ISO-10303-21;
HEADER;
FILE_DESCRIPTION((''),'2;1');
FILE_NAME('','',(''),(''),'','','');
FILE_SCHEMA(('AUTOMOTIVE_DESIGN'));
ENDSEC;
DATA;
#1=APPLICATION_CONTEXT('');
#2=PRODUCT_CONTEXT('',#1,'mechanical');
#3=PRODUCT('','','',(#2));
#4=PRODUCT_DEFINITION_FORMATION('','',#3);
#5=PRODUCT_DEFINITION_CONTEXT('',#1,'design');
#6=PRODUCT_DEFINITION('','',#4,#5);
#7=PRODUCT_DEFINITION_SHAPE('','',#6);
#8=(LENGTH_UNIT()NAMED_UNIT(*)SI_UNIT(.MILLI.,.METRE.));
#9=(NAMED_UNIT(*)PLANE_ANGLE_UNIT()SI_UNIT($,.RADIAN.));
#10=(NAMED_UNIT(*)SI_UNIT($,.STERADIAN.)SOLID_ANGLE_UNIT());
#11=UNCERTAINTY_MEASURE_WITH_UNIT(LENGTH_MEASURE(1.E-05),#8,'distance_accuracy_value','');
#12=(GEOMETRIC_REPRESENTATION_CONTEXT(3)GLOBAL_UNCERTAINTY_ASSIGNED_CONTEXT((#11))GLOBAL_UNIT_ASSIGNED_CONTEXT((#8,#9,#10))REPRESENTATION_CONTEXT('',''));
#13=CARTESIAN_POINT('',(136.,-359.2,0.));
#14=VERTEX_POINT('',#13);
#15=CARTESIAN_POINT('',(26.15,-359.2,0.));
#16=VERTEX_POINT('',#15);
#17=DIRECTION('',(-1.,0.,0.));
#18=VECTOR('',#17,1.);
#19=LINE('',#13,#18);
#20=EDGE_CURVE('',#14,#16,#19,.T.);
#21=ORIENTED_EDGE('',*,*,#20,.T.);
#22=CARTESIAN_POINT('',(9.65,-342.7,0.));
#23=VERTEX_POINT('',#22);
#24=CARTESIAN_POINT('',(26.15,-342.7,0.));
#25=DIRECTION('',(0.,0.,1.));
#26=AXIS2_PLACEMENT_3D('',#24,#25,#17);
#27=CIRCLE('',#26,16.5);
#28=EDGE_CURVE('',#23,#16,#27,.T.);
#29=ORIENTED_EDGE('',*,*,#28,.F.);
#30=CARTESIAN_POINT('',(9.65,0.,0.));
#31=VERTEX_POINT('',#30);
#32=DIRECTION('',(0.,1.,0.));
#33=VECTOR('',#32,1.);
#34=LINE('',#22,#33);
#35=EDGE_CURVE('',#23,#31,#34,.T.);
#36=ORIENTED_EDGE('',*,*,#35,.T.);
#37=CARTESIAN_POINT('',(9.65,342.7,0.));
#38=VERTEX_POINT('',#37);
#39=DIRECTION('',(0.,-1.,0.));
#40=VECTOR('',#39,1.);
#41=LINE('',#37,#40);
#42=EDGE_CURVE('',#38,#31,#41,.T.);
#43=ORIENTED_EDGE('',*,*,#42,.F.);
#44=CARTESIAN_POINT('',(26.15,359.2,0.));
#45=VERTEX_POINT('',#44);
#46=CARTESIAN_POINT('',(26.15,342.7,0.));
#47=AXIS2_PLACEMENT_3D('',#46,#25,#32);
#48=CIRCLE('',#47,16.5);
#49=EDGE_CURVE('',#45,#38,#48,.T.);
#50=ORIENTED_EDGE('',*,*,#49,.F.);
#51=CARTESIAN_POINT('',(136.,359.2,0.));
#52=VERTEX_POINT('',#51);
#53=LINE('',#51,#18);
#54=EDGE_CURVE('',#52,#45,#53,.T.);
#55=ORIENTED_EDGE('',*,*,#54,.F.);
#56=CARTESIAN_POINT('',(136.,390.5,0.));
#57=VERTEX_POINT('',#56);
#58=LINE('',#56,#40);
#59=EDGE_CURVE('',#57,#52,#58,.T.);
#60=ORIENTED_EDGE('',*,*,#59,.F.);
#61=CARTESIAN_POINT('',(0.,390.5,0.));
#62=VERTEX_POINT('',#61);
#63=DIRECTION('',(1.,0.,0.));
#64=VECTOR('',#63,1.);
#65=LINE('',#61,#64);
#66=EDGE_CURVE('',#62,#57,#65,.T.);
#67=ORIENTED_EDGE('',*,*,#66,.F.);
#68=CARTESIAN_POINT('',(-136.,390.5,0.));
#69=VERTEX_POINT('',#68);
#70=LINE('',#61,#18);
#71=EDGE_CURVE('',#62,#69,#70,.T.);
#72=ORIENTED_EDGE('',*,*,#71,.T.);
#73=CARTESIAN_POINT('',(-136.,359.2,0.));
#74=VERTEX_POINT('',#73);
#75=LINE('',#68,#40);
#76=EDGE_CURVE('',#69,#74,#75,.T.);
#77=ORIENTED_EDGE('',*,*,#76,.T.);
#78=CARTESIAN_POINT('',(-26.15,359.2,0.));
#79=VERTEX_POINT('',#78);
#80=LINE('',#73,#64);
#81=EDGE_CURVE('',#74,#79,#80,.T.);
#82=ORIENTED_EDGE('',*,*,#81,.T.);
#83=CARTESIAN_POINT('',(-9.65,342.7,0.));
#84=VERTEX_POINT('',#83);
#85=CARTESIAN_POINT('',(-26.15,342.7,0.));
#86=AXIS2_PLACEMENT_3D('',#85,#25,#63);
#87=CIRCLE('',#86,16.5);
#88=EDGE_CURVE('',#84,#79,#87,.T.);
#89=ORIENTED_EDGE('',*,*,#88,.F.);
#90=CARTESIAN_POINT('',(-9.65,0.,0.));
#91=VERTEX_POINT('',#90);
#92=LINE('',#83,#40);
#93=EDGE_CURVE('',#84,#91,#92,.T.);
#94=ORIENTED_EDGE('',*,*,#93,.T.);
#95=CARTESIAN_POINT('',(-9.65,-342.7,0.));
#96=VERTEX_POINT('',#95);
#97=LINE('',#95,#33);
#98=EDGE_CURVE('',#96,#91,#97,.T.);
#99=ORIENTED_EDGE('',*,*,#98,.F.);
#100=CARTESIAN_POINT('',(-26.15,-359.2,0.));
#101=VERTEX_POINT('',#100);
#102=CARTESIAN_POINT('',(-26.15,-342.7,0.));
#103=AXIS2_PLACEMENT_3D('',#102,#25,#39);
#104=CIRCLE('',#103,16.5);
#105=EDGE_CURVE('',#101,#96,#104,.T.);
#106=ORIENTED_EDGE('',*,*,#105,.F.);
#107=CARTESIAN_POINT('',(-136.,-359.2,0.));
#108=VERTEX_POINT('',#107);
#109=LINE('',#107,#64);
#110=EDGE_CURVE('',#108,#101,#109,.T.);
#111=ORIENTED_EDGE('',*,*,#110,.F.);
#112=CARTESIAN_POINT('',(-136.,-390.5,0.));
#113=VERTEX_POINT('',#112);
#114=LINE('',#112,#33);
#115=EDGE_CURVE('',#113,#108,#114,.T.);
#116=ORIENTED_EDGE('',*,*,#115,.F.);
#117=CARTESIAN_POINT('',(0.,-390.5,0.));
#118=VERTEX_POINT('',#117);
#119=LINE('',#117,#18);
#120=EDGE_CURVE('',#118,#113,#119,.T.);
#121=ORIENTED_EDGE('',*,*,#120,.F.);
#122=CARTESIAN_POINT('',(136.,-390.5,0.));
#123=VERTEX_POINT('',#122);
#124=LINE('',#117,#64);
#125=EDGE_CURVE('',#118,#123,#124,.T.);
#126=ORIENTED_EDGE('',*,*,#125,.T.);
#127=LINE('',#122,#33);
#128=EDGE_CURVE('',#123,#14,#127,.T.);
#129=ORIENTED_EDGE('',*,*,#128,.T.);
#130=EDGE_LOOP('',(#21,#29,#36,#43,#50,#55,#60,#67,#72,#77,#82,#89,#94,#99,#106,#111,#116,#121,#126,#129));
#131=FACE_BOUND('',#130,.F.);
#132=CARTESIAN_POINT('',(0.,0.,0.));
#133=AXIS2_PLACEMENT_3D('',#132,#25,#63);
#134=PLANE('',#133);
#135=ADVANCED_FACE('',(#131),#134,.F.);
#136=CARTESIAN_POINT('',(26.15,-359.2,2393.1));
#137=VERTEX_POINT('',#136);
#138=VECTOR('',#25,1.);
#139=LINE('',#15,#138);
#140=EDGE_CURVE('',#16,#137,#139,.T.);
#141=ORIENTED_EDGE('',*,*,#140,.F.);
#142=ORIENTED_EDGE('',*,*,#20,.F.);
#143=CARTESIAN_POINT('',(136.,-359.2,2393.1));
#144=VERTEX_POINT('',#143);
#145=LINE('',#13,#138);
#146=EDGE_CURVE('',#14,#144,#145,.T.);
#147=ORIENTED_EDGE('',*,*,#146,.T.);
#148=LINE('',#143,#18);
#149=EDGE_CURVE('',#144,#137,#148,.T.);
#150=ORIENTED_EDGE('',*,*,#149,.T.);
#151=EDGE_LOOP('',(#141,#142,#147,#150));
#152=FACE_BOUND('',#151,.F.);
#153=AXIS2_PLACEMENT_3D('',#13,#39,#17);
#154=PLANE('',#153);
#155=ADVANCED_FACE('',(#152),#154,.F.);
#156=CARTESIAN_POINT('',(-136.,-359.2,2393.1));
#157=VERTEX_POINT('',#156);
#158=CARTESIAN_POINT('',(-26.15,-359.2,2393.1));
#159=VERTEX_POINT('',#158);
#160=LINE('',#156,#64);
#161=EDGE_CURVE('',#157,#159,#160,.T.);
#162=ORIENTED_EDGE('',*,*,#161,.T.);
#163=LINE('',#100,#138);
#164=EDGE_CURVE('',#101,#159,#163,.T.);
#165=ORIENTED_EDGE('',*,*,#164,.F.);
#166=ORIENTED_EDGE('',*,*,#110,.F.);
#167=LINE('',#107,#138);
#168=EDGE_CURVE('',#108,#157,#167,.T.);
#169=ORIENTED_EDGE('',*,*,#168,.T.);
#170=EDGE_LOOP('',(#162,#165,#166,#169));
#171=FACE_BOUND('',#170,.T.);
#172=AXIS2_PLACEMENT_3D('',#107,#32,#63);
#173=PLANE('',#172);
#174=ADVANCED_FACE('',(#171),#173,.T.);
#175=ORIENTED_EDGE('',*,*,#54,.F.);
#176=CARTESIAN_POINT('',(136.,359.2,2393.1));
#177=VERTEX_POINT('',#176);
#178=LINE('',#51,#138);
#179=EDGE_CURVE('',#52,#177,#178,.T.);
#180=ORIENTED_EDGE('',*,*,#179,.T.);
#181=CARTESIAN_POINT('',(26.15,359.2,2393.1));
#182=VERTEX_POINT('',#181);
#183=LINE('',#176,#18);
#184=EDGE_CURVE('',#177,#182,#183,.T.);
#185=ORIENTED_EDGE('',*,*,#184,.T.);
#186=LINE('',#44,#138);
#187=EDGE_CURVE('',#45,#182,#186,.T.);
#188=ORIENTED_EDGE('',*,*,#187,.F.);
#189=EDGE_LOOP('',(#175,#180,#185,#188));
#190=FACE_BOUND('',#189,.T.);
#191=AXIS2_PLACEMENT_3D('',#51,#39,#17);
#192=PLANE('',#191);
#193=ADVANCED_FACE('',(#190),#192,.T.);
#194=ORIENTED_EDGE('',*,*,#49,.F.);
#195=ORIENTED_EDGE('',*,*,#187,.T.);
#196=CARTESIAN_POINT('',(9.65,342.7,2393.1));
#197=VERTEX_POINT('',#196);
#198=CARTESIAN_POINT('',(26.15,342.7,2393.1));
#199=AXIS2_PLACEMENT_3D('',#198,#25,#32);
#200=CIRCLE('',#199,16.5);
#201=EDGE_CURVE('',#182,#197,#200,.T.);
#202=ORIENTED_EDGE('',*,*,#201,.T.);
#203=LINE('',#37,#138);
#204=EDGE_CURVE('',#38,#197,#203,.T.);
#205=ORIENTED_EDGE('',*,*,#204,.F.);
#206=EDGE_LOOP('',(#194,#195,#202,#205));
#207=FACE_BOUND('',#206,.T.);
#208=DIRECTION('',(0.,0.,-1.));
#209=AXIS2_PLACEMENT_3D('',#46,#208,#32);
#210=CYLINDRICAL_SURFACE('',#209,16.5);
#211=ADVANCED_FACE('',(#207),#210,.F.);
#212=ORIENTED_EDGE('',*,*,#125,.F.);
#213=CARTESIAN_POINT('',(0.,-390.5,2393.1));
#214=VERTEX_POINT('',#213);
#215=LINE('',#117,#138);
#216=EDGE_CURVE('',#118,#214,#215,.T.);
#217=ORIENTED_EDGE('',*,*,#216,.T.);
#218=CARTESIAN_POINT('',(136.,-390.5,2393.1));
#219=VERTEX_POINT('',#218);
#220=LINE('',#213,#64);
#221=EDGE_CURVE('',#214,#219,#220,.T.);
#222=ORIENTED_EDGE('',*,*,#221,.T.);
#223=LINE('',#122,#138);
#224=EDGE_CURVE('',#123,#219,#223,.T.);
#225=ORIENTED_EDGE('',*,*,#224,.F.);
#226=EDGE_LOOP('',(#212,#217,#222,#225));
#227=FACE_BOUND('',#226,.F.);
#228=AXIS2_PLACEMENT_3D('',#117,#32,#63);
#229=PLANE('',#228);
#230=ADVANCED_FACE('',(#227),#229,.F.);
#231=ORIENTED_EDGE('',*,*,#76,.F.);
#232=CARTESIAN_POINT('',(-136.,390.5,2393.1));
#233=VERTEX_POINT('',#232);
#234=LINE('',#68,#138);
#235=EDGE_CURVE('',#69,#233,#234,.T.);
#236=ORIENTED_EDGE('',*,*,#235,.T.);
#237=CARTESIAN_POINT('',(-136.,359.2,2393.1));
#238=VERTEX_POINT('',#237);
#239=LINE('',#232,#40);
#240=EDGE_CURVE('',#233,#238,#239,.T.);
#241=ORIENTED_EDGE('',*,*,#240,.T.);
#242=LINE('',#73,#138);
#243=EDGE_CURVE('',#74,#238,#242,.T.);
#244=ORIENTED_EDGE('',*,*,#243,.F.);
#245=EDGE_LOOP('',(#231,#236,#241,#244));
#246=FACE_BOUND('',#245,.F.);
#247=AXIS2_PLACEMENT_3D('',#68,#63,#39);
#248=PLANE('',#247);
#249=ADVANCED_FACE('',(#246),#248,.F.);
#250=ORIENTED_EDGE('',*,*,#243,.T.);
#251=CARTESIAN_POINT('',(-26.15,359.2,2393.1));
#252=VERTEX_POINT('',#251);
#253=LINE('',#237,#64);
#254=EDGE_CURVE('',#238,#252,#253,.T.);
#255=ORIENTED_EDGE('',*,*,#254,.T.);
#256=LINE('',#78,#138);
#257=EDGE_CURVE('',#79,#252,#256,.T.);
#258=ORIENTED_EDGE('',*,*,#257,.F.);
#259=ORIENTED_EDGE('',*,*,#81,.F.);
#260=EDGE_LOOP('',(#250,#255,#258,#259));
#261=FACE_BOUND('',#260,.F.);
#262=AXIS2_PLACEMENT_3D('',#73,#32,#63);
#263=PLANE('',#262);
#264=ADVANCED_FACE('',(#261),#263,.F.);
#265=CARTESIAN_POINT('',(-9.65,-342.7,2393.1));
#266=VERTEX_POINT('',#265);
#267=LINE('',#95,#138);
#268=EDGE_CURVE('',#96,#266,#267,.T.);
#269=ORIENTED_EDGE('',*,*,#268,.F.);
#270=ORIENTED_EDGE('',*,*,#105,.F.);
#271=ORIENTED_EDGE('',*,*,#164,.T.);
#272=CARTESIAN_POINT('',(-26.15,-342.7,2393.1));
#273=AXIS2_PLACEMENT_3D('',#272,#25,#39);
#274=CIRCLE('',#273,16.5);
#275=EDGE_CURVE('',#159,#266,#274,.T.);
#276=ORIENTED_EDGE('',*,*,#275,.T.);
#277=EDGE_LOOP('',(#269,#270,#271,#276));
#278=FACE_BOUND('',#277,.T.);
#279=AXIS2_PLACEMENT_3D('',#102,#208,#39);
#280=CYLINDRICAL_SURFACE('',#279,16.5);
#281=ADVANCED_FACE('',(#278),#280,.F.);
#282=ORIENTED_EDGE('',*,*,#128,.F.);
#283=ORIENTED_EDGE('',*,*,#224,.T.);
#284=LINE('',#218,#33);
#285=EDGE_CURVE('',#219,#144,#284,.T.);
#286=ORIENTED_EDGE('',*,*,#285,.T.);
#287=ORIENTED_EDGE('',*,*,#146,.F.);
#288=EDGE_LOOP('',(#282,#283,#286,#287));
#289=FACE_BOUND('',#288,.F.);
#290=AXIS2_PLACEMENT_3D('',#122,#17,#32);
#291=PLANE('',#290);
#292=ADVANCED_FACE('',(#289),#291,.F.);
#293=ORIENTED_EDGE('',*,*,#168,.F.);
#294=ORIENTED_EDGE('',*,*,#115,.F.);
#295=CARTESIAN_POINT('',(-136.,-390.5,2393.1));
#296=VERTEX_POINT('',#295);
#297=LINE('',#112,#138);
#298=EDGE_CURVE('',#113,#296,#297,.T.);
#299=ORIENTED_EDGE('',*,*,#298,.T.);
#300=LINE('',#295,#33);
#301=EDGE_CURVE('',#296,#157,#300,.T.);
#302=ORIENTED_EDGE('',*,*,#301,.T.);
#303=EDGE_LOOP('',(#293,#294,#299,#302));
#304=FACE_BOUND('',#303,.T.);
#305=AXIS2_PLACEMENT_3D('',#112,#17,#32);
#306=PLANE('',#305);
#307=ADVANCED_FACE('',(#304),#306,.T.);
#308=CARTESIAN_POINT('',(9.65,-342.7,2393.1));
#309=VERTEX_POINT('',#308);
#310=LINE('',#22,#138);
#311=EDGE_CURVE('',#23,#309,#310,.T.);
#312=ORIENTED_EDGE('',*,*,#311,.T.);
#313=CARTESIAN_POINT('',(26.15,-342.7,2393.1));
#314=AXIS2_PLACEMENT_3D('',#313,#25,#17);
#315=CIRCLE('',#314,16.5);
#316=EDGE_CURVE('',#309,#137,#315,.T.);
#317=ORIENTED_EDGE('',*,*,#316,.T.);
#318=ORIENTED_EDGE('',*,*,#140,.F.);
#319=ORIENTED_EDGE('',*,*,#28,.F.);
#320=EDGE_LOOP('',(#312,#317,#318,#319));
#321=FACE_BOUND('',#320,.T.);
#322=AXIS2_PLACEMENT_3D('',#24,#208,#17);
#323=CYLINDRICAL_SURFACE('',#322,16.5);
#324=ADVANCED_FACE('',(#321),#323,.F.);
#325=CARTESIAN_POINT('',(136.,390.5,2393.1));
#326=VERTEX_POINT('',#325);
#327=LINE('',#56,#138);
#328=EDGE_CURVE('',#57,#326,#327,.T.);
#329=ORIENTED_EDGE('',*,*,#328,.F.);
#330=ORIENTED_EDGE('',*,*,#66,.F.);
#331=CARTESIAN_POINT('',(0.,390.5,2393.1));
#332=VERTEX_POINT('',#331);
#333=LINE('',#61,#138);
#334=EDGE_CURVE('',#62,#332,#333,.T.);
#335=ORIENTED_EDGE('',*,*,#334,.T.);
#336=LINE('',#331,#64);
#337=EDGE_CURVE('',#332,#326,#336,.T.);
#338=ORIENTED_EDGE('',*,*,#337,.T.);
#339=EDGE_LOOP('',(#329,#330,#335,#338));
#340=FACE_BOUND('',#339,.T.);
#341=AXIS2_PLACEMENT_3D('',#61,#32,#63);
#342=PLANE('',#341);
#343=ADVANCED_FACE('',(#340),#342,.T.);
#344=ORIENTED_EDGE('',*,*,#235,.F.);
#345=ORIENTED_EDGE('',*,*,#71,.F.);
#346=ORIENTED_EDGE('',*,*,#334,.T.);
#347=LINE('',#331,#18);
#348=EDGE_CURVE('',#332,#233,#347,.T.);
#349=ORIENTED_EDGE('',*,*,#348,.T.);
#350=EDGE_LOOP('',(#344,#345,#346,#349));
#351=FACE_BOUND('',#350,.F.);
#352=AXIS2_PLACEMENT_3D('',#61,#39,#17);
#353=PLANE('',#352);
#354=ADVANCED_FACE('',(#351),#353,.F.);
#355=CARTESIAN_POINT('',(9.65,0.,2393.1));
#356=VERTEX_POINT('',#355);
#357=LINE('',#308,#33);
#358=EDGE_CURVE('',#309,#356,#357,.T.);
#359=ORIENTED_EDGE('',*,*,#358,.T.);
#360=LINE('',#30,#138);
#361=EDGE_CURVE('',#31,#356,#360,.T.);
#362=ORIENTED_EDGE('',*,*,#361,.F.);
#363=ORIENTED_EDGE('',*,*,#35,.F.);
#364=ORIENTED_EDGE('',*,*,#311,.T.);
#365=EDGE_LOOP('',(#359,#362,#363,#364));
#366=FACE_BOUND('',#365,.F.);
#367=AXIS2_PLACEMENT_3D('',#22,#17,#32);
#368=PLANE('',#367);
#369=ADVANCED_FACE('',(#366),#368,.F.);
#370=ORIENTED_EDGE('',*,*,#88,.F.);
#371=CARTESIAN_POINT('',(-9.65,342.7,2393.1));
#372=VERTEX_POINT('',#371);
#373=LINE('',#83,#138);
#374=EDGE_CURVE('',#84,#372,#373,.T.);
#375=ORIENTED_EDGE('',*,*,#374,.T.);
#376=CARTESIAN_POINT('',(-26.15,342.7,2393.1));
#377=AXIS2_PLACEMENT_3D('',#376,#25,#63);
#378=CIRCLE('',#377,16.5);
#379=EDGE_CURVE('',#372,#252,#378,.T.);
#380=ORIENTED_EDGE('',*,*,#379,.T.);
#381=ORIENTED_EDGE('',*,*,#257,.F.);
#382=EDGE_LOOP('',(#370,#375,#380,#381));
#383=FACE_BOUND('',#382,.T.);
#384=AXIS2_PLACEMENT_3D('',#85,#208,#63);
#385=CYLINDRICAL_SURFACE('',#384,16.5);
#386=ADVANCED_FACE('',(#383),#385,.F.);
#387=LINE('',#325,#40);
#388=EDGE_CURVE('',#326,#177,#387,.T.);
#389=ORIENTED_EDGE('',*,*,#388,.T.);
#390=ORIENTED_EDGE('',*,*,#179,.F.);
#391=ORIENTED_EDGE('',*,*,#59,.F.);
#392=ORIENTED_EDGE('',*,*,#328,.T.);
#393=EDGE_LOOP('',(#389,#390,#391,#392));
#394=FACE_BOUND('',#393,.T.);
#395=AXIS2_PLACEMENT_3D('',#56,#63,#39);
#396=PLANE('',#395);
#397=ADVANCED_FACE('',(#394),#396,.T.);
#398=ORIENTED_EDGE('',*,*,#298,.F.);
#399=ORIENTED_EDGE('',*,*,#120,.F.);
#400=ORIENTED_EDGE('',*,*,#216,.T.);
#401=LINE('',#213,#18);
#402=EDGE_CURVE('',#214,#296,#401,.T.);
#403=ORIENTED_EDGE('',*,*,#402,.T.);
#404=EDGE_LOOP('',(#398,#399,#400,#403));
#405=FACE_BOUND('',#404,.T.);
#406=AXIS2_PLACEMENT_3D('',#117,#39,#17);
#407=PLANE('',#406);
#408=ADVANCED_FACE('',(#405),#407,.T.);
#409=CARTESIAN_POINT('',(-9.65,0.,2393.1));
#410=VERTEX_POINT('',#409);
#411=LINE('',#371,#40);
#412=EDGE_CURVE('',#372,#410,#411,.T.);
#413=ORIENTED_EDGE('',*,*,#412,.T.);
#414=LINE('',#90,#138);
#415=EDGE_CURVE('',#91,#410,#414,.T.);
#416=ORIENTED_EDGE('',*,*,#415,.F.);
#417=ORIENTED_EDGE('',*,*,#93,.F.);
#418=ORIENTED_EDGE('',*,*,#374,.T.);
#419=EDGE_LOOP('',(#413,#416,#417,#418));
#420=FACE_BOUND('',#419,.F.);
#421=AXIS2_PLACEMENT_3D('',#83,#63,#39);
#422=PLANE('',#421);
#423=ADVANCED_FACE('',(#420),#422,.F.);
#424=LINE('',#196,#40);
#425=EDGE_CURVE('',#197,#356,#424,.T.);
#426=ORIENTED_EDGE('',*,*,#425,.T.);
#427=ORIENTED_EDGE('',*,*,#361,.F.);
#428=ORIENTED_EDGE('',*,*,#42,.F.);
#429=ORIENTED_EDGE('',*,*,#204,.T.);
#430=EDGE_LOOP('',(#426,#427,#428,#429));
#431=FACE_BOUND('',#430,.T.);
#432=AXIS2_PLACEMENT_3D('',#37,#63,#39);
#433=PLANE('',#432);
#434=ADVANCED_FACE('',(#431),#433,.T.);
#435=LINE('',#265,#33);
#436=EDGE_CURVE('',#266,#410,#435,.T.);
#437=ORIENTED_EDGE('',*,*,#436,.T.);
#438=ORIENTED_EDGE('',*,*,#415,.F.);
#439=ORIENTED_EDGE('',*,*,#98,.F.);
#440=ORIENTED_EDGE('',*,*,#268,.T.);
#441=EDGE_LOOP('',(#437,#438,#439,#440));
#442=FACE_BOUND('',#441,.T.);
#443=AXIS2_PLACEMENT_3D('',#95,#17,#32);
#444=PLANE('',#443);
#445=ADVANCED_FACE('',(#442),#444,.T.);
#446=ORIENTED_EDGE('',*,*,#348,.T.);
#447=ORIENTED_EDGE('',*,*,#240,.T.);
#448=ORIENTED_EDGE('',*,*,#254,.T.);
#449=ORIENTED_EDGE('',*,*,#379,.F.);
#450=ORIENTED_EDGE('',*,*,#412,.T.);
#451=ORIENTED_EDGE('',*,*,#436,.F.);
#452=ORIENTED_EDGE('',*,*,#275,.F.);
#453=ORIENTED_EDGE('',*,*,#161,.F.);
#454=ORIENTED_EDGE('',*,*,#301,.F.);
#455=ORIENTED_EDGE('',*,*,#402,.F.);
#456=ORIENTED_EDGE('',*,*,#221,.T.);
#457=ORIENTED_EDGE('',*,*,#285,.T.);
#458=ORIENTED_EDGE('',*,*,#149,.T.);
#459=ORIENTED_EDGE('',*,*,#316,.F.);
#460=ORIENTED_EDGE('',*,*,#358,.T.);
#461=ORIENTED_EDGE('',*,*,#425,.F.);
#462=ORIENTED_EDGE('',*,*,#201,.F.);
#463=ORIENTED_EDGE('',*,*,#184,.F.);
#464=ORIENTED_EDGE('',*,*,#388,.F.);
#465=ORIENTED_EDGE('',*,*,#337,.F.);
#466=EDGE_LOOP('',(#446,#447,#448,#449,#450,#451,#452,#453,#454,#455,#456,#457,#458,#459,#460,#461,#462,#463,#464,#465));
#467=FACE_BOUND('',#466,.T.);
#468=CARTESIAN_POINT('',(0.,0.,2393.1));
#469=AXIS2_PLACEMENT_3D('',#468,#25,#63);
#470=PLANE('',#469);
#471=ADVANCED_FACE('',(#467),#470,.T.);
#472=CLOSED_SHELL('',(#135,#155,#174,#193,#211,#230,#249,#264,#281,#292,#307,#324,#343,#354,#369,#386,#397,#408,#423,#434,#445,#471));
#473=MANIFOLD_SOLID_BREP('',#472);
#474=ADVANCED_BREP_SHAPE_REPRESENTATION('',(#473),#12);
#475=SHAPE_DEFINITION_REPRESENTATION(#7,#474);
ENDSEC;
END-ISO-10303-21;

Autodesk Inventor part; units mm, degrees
ref_plane "YZ Plane" through (0, 0, 0) normal (1, 0, 0) x (0, 1, 0)
ref_plane "Start plane" through (0, 0, 0) normal (0, 0, 1) x (1, 0, 0)
ref_plane "End plane" through (0, 0, 2393.1) normal (0, 0, 1) x (1, 0, 0)
sketch "Sketch" plane through (0, 0, 0) normal (0, 0, 1) x (1, 0, 0)
  line L0 (-136, -390.5) -> (-136, -359.2)
  line L1 (-136, -359.2) -> (-26.15, -359.2)
  line L2 (-9.65, -342.7) -> (-9.65, 0)
  line L3 (-9.65, 0) -> (0, 0) construction
  line L4 (0, 0) -> (0, -390.5) construction
  line L5 (0, -390.5) -> (-136, -390.5)
  line L6 (-60, 0) -> (80, 0) construction
  line L7 (0, -60) -> (0, 80) construction
  line L8 (136, -390.5) -> (136, -359.2)
  line L9 (136, -359.2) -> (26.15, -359.2)
  line L10 (9.65, -342.7) -> (9.65, 0)
  line L11 (9.65, 0) -> (0, 0) construction
  line L12 (0, -390.5) -> (136, -390.5)
  line L13 (-136, 390.5) -> (-136, 359.2)
  line L14 (-136, 359.2) -> (-26.15, 359.2)
  line L15 (-9.65, 342.7) -> (-9.65, 0)
  line L16 (0, 390.5) -> (-136, 390.5)
  line L17 (136, 390.5) -> (136, 359.2)
  line L18 (136, 359.2) -> (26.15, 359.2)
  line L19 (0, 390.5) -> (136, 390.5)
  line L20 (9.65, 342.7) -> (9.65, 0)
  arc A0 (-9.65, 342.7) -> (-26.15, 359.2) centre (-26.15, 342.7) ccw
  arc A1 (26.15, 359.2) -> (9.65, 342.7) centre (26.15, 342.7) ccw
  arc A2 (9.65, -342.7) -> (26.15, -359.2) centre (26.15, -342.7) ccw
  arc A3 (-26.15, -359.2) -> (-9.65, -342.7) centre (-26.15, -342.7) ccw
  line L21 (0, 108) -> (0, -88) construction
  line L22 (-88, 0) -> (108, 0) construction
  point P0 (-9.65, -359.2)
  point P1 (9.65, -359.2)
  point P2 (-9.65, 359.2)
  point P3 (9.65, 359.2)
  dimension "d1" = 390.5
  dimension "d2" = 31.3
  dimension "d3" = 136
  dimension "d4" = 9.65
  dimension "d10" = 16.5
extrude "Body" add sketch "Sketch" along normal up to surface (2393.1 mm away) from surface at 0
sketch "Sketch4" plane through (0, 0, 0) normal (0, 0, 1) x (1, 0, 0)
  line L0 (0, 0) -> (10, 0)
ref_plane "Work Plane3" through (0, 0, 0) normal (0, -1, 0) x (1, 0, 0)
sketch "Sketch5" plane through (0, 0, 0) normal (0, -1, 0) x (1, 0, 0)
  line L0 (-2, 0) -> (12, 0) projected
  line L1 (-2, 2393.1) -> (12, 2393.1) projected
  dimension "d14" = 2393.1
equation "\"d1\" = 0.5 * G_H"
equation "\"d2\" = G_T1"
equation "\"d3\" = 0.5 * G_W"
equation "\"d4\" = 0.5 * G_T"
equation "\"d10\" = G_IR"
equation "\"d5\" = G_L"
equation "\"G_W\" = 272"
equation "\"G_H\" = 781"
equation "\"G_T\" = 19.3"
equation "\"G_T1\" = 31.3"
equation "\"G_IR\" = 16.5"
equation "\"G_L\" = d14"
equation "\"G_OFFSET_START\" = 0"
equation "\"G_OFFSET_END\" = 0"
equation "\"d12\" = G_OFFSET_END + B_L"
equation "\"B_L\" = 2393.1"
properties part number "AS 3679-1990 - 760 UB - 244 - 2393.1" material "Steel, Mild"
